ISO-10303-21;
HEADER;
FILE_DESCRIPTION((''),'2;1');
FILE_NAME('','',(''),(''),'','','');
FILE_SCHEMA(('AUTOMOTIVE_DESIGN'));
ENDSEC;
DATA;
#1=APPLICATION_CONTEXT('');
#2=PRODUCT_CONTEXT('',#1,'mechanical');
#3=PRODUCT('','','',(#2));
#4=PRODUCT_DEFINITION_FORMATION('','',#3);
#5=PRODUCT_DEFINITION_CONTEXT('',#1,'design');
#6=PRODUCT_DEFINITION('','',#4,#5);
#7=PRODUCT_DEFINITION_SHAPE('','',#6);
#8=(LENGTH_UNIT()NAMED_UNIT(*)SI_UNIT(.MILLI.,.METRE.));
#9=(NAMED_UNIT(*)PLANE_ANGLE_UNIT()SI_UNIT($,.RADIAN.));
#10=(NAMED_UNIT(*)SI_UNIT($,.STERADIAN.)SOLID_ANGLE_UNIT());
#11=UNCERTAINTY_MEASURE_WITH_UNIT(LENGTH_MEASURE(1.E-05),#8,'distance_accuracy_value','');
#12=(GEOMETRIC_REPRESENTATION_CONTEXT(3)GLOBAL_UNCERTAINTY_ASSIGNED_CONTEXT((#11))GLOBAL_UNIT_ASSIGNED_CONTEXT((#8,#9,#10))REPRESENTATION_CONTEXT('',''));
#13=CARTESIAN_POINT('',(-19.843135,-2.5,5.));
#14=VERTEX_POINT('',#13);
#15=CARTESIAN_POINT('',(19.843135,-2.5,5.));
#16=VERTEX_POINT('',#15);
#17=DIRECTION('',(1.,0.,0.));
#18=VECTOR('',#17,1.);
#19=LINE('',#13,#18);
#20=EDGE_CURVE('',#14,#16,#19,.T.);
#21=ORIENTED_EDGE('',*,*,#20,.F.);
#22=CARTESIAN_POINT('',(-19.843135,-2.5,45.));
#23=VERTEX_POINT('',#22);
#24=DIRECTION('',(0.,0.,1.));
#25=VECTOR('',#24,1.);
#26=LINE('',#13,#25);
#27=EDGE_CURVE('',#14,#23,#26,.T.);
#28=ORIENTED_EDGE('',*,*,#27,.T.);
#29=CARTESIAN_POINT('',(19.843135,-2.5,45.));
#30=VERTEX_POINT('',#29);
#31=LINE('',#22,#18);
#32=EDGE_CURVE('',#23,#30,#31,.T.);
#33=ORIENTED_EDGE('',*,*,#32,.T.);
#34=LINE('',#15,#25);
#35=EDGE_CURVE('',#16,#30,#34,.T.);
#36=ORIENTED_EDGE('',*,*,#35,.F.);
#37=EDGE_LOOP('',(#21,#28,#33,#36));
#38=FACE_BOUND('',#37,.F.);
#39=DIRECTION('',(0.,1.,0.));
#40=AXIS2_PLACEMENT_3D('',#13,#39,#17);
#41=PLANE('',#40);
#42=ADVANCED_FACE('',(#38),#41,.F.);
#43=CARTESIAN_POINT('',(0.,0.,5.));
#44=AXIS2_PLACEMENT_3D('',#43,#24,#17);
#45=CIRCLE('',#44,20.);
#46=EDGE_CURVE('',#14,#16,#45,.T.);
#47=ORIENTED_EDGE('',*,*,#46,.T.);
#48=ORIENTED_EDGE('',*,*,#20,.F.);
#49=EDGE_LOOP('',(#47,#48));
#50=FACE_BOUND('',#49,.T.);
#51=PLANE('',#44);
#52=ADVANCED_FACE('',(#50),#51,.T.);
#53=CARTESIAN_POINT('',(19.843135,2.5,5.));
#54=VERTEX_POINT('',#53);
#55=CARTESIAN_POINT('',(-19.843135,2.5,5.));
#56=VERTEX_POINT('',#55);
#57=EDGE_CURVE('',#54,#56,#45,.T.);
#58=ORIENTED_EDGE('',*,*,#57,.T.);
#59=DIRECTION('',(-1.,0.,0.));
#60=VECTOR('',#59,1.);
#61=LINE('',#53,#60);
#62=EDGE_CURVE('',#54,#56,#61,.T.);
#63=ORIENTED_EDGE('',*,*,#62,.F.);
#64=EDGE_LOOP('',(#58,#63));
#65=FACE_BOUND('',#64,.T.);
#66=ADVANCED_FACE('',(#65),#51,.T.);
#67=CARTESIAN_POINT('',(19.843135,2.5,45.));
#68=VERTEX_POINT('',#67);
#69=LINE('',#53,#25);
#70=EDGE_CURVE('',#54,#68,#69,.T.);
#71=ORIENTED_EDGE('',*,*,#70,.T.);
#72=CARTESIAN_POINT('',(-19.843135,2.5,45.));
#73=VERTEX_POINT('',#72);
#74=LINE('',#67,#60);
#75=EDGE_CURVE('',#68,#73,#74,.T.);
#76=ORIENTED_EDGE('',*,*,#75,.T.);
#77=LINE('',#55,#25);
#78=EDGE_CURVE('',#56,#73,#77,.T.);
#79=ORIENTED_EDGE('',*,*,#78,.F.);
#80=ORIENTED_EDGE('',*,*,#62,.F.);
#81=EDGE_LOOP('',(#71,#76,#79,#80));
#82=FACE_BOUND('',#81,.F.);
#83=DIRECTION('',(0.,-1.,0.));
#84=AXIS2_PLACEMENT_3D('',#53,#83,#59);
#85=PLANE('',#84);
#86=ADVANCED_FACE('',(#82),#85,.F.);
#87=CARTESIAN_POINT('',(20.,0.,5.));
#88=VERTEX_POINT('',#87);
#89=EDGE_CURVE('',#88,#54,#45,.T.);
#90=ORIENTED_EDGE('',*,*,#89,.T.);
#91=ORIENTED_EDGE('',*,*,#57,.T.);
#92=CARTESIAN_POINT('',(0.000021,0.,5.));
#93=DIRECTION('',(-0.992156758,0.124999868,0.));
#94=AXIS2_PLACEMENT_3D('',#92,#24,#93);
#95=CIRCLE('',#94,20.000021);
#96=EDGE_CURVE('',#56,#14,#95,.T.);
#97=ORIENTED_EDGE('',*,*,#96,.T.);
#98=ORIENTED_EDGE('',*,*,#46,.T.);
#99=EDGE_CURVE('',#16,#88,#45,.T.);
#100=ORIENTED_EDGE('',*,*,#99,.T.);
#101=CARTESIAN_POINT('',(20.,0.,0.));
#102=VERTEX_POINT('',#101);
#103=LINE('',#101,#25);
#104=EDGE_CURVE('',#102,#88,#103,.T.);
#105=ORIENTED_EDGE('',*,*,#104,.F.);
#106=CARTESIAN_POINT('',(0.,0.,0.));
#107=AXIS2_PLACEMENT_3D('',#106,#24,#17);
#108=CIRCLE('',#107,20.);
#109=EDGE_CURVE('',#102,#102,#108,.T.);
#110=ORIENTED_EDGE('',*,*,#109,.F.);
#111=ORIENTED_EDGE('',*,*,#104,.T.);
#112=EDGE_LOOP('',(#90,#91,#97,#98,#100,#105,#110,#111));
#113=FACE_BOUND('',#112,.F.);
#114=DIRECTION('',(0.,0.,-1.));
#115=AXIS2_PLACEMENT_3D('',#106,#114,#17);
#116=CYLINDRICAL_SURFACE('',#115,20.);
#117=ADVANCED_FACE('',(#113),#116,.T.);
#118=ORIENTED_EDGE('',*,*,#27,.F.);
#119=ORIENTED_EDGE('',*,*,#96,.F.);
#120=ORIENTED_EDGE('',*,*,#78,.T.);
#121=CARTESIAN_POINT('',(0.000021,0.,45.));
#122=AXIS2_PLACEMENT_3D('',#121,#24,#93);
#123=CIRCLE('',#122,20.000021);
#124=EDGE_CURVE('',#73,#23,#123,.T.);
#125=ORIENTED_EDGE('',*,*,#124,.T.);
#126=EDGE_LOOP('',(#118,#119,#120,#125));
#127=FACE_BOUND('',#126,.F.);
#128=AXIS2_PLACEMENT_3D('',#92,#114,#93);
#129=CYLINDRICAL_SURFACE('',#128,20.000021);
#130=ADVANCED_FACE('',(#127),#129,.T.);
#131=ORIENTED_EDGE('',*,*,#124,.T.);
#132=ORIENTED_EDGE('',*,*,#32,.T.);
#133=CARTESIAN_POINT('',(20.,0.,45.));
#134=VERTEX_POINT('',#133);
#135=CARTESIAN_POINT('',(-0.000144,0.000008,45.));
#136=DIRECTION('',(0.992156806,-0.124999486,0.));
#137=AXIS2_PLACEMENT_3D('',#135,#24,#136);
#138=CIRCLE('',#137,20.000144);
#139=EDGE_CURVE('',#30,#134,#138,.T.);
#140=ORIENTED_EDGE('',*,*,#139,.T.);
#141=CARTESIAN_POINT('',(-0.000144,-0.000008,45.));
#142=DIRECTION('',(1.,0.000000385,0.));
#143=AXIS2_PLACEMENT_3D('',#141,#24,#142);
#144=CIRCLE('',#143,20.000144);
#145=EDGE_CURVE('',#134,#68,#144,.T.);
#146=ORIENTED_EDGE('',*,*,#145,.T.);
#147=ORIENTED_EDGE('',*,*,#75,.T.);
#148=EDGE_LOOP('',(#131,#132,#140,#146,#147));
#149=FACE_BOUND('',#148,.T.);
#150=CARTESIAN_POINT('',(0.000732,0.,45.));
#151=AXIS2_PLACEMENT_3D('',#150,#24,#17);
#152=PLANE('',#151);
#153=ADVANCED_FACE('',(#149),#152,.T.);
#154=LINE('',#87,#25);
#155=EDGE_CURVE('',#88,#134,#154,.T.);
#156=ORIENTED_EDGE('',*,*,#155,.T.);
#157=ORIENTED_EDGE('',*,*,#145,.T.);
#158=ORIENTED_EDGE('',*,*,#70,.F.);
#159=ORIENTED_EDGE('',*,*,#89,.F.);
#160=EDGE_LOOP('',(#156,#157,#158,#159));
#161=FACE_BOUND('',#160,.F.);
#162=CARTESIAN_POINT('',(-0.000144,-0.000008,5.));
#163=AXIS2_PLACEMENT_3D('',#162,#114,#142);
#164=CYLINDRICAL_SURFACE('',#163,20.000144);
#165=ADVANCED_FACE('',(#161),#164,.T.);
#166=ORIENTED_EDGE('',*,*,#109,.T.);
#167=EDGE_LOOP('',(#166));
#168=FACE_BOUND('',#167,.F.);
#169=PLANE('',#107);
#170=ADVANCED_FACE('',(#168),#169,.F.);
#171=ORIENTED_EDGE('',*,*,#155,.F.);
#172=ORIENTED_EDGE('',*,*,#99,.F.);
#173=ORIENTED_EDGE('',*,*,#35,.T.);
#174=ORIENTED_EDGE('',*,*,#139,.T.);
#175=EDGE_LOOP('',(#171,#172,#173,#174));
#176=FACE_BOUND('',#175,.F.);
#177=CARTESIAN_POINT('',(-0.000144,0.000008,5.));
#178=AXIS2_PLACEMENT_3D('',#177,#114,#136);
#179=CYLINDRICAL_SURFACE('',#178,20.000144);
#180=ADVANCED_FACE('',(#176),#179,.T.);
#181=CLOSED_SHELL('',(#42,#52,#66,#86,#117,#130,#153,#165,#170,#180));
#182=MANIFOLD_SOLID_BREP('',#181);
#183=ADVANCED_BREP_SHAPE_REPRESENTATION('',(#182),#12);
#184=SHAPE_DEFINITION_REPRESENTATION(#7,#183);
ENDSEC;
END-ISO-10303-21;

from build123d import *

# Parameters (mm, degrees)
F0_R     = 20
F1_DEPTH = 5
F3_DEPTH = 40


with BuildPart() as f1:
    # F0 (on Top) → F1 (new body)
    with BuildSketch(Plane.XY):
        Circle(F0_R)
    extrude(amount=F1_DEPTH)

    # F2 (on face) → F3 (join)
    with BuildSketch(Plane.XY.offset(5)):
        with BuildLine():
            Line((19.843135, 2.5), (-19.843135, 2.5))
            ThreePointArc((-19.843135, 2.5), (-20, 0), (-19.843135, -2.5))
            Line((-19.843135, -2.5), (19.843135, -2.5))
            ThreePointArc((19.843135, -2.5), (19.960745, -1.252458), (20, 0))
            ThreePointArc((20, 0), (19.960745, 1.252458), (19.843135, 2.5))
        make_face()
    extrude(amount=F3_DEPTH)


solid = f1.part
